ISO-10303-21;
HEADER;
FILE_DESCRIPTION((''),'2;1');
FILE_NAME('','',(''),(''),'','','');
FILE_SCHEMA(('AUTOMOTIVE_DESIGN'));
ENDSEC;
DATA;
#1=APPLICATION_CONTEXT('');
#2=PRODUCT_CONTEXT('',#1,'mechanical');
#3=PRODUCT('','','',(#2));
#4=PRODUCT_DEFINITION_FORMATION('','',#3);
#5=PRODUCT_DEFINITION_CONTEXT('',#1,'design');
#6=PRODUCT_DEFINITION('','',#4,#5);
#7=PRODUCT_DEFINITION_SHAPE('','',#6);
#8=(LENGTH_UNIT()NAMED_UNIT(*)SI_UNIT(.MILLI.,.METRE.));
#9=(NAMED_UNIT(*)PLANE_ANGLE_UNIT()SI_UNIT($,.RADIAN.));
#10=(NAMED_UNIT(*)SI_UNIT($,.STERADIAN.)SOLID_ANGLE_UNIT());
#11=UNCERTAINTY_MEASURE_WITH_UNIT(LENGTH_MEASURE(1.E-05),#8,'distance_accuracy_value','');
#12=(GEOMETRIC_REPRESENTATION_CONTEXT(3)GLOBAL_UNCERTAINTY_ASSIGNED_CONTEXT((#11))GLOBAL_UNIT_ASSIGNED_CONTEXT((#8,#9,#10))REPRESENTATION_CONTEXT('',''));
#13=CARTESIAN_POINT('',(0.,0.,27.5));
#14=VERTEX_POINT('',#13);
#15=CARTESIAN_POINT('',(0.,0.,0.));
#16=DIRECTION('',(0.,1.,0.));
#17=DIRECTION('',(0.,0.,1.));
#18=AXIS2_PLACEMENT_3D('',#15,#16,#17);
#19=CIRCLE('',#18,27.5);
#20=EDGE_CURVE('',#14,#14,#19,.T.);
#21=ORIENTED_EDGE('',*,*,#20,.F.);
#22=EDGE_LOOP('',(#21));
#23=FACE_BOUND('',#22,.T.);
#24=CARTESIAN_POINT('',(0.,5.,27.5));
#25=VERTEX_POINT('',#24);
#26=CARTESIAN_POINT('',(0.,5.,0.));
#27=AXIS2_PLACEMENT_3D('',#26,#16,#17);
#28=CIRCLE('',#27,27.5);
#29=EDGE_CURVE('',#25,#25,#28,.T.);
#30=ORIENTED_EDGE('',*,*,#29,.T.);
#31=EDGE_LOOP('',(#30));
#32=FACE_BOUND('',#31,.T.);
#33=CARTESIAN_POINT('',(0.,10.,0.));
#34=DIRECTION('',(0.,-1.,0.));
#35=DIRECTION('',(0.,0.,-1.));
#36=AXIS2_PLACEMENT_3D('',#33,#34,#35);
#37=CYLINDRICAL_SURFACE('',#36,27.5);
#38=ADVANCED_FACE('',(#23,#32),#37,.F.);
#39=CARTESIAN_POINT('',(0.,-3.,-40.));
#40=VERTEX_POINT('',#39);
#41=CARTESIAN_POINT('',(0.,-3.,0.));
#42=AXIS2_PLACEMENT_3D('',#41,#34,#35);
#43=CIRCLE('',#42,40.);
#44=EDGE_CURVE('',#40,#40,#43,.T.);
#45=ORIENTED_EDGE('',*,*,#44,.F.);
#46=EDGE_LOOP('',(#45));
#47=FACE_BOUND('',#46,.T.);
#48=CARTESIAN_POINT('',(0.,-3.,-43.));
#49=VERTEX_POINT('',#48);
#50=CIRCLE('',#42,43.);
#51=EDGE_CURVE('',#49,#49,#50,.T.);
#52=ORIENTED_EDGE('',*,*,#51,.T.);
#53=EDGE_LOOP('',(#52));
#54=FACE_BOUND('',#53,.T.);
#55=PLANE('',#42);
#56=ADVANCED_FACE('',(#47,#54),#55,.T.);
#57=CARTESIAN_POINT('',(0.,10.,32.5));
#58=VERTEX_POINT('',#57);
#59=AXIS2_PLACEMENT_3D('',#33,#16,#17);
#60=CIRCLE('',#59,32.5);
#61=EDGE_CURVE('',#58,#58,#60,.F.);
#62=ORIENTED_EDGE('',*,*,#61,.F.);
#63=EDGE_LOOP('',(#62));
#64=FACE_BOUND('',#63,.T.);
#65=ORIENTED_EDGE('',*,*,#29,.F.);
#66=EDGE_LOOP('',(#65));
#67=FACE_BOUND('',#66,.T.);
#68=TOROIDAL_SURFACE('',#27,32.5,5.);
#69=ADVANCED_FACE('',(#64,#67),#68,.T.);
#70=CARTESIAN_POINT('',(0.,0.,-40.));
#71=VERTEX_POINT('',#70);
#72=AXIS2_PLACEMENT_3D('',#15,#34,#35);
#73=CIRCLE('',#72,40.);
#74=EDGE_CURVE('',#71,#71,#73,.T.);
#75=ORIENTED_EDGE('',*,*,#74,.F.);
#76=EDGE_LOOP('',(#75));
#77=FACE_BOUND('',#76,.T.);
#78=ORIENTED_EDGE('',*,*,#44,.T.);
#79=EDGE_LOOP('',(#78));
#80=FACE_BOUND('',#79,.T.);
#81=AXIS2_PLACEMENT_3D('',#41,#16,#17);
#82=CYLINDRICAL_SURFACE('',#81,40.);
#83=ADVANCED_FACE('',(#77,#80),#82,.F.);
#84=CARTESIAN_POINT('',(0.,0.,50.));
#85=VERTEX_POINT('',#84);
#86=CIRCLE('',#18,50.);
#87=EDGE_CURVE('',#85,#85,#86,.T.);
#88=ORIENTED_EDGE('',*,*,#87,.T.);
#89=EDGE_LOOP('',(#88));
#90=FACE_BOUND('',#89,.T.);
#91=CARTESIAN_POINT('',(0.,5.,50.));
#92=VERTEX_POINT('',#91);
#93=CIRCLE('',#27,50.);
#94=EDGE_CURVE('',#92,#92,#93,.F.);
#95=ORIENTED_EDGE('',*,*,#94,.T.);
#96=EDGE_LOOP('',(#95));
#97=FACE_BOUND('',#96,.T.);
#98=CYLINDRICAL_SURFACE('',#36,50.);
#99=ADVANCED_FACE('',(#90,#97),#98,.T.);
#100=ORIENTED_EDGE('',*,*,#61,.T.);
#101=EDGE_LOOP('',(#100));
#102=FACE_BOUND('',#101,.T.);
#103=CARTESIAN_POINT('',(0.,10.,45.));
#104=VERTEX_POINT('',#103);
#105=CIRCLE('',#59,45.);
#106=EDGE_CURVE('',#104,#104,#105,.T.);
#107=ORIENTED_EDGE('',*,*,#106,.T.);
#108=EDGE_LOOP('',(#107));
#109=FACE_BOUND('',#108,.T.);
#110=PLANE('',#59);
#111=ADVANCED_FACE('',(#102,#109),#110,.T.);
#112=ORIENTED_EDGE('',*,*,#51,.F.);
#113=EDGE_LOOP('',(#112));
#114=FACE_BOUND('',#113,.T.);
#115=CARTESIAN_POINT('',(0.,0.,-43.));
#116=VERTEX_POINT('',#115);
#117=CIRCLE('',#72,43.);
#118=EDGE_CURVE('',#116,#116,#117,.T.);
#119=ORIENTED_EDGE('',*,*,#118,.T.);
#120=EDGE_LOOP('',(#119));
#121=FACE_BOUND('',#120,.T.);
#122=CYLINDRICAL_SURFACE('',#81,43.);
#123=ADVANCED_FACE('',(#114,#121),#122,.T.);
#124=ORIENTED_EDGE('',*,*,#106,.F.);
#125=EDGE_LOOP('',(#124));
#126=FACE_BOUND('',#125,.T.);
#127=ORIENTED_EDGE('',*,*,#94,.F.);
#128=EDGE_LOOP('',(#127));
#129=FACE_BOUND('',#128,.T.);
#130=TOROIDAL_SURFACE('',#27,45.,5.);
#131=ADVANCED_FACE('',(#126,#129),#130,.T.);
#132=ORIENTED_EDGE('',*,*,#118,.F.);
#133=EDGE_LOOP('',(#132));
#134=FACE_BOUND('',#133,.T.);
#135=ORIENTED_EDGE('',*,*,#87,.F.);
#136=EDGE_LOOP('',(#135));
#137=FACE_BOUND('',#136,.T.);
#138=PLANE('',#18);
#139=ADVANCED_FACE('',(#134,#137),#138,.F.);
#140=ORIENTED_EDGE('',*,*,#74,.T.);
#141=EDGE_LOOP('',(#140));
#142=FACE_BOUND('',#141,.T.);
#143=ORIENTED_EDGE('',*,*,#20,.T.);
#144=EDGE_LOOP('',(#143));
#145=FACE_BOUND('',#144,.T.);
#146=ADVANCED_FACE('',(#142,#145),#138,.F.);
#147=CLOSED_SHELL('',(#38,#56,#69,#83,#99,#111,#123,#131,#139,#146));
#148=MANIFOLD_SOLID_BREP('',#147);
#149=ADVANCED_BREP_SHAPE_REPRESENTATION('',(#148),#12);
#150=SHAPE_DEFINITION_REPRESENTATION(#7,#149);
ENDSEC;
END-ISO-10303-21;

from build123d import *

# Parameters (mm, degrees)
SKETCH1_R           = 50
SKETCH1_R_2         = 27.5
BOSS_EXTRUDE1_DEPTH = 10
FILLET1_R           = 5
SKETCH2_R           = 43
SKETCH2_R_2         = 40
BOSS_EXTRUDE2_DEPTH = 3


with BuildPart() as part:
    # Sketch1 → Boss-Extrude1 (new body)
    with BuildSketch(Plane(origin=(0, 0, 0), x_dir=(1, 0, 0), z_dir=(0, 1, 0))):
        with Locations(Location((0, 0, 0), (0, 0, 270))):
            Circle(SKETCH1_R)
        with Locations(Location((0, 0, 0), (0, 0, 270))):
            Circle(SKETCH1_R_2, mode=Mode.SUBTRACT)
    extrude(amount=BOSS_EXTRUDE1_DEPTH)

    # Fillet1
    fillet1_edges = [part.edges().sort_by_distance(p)[0] for p in [
        (0, 10, -50),
        (0, 10, -27.5),
    ]]
    fillet(fillet1_edges, radius=FILLET1_R)

    # Sketch2 → Boss-Extrude2 (add)
    with BuildSketch(Plane.XZ):
        with Locations(Location((0, 0, 0), (0, 0, 270))):
            Circle(SKETCH2_R)
        with Locations(Location((0, 0, 0), (0, 0, 270))):
            Circle(SKETCH2_R_2, mode=Mode.SUBTRACT)
    extrude(amount=BOSS_EXTRUDE2_DEPTH)


solid = part.part
